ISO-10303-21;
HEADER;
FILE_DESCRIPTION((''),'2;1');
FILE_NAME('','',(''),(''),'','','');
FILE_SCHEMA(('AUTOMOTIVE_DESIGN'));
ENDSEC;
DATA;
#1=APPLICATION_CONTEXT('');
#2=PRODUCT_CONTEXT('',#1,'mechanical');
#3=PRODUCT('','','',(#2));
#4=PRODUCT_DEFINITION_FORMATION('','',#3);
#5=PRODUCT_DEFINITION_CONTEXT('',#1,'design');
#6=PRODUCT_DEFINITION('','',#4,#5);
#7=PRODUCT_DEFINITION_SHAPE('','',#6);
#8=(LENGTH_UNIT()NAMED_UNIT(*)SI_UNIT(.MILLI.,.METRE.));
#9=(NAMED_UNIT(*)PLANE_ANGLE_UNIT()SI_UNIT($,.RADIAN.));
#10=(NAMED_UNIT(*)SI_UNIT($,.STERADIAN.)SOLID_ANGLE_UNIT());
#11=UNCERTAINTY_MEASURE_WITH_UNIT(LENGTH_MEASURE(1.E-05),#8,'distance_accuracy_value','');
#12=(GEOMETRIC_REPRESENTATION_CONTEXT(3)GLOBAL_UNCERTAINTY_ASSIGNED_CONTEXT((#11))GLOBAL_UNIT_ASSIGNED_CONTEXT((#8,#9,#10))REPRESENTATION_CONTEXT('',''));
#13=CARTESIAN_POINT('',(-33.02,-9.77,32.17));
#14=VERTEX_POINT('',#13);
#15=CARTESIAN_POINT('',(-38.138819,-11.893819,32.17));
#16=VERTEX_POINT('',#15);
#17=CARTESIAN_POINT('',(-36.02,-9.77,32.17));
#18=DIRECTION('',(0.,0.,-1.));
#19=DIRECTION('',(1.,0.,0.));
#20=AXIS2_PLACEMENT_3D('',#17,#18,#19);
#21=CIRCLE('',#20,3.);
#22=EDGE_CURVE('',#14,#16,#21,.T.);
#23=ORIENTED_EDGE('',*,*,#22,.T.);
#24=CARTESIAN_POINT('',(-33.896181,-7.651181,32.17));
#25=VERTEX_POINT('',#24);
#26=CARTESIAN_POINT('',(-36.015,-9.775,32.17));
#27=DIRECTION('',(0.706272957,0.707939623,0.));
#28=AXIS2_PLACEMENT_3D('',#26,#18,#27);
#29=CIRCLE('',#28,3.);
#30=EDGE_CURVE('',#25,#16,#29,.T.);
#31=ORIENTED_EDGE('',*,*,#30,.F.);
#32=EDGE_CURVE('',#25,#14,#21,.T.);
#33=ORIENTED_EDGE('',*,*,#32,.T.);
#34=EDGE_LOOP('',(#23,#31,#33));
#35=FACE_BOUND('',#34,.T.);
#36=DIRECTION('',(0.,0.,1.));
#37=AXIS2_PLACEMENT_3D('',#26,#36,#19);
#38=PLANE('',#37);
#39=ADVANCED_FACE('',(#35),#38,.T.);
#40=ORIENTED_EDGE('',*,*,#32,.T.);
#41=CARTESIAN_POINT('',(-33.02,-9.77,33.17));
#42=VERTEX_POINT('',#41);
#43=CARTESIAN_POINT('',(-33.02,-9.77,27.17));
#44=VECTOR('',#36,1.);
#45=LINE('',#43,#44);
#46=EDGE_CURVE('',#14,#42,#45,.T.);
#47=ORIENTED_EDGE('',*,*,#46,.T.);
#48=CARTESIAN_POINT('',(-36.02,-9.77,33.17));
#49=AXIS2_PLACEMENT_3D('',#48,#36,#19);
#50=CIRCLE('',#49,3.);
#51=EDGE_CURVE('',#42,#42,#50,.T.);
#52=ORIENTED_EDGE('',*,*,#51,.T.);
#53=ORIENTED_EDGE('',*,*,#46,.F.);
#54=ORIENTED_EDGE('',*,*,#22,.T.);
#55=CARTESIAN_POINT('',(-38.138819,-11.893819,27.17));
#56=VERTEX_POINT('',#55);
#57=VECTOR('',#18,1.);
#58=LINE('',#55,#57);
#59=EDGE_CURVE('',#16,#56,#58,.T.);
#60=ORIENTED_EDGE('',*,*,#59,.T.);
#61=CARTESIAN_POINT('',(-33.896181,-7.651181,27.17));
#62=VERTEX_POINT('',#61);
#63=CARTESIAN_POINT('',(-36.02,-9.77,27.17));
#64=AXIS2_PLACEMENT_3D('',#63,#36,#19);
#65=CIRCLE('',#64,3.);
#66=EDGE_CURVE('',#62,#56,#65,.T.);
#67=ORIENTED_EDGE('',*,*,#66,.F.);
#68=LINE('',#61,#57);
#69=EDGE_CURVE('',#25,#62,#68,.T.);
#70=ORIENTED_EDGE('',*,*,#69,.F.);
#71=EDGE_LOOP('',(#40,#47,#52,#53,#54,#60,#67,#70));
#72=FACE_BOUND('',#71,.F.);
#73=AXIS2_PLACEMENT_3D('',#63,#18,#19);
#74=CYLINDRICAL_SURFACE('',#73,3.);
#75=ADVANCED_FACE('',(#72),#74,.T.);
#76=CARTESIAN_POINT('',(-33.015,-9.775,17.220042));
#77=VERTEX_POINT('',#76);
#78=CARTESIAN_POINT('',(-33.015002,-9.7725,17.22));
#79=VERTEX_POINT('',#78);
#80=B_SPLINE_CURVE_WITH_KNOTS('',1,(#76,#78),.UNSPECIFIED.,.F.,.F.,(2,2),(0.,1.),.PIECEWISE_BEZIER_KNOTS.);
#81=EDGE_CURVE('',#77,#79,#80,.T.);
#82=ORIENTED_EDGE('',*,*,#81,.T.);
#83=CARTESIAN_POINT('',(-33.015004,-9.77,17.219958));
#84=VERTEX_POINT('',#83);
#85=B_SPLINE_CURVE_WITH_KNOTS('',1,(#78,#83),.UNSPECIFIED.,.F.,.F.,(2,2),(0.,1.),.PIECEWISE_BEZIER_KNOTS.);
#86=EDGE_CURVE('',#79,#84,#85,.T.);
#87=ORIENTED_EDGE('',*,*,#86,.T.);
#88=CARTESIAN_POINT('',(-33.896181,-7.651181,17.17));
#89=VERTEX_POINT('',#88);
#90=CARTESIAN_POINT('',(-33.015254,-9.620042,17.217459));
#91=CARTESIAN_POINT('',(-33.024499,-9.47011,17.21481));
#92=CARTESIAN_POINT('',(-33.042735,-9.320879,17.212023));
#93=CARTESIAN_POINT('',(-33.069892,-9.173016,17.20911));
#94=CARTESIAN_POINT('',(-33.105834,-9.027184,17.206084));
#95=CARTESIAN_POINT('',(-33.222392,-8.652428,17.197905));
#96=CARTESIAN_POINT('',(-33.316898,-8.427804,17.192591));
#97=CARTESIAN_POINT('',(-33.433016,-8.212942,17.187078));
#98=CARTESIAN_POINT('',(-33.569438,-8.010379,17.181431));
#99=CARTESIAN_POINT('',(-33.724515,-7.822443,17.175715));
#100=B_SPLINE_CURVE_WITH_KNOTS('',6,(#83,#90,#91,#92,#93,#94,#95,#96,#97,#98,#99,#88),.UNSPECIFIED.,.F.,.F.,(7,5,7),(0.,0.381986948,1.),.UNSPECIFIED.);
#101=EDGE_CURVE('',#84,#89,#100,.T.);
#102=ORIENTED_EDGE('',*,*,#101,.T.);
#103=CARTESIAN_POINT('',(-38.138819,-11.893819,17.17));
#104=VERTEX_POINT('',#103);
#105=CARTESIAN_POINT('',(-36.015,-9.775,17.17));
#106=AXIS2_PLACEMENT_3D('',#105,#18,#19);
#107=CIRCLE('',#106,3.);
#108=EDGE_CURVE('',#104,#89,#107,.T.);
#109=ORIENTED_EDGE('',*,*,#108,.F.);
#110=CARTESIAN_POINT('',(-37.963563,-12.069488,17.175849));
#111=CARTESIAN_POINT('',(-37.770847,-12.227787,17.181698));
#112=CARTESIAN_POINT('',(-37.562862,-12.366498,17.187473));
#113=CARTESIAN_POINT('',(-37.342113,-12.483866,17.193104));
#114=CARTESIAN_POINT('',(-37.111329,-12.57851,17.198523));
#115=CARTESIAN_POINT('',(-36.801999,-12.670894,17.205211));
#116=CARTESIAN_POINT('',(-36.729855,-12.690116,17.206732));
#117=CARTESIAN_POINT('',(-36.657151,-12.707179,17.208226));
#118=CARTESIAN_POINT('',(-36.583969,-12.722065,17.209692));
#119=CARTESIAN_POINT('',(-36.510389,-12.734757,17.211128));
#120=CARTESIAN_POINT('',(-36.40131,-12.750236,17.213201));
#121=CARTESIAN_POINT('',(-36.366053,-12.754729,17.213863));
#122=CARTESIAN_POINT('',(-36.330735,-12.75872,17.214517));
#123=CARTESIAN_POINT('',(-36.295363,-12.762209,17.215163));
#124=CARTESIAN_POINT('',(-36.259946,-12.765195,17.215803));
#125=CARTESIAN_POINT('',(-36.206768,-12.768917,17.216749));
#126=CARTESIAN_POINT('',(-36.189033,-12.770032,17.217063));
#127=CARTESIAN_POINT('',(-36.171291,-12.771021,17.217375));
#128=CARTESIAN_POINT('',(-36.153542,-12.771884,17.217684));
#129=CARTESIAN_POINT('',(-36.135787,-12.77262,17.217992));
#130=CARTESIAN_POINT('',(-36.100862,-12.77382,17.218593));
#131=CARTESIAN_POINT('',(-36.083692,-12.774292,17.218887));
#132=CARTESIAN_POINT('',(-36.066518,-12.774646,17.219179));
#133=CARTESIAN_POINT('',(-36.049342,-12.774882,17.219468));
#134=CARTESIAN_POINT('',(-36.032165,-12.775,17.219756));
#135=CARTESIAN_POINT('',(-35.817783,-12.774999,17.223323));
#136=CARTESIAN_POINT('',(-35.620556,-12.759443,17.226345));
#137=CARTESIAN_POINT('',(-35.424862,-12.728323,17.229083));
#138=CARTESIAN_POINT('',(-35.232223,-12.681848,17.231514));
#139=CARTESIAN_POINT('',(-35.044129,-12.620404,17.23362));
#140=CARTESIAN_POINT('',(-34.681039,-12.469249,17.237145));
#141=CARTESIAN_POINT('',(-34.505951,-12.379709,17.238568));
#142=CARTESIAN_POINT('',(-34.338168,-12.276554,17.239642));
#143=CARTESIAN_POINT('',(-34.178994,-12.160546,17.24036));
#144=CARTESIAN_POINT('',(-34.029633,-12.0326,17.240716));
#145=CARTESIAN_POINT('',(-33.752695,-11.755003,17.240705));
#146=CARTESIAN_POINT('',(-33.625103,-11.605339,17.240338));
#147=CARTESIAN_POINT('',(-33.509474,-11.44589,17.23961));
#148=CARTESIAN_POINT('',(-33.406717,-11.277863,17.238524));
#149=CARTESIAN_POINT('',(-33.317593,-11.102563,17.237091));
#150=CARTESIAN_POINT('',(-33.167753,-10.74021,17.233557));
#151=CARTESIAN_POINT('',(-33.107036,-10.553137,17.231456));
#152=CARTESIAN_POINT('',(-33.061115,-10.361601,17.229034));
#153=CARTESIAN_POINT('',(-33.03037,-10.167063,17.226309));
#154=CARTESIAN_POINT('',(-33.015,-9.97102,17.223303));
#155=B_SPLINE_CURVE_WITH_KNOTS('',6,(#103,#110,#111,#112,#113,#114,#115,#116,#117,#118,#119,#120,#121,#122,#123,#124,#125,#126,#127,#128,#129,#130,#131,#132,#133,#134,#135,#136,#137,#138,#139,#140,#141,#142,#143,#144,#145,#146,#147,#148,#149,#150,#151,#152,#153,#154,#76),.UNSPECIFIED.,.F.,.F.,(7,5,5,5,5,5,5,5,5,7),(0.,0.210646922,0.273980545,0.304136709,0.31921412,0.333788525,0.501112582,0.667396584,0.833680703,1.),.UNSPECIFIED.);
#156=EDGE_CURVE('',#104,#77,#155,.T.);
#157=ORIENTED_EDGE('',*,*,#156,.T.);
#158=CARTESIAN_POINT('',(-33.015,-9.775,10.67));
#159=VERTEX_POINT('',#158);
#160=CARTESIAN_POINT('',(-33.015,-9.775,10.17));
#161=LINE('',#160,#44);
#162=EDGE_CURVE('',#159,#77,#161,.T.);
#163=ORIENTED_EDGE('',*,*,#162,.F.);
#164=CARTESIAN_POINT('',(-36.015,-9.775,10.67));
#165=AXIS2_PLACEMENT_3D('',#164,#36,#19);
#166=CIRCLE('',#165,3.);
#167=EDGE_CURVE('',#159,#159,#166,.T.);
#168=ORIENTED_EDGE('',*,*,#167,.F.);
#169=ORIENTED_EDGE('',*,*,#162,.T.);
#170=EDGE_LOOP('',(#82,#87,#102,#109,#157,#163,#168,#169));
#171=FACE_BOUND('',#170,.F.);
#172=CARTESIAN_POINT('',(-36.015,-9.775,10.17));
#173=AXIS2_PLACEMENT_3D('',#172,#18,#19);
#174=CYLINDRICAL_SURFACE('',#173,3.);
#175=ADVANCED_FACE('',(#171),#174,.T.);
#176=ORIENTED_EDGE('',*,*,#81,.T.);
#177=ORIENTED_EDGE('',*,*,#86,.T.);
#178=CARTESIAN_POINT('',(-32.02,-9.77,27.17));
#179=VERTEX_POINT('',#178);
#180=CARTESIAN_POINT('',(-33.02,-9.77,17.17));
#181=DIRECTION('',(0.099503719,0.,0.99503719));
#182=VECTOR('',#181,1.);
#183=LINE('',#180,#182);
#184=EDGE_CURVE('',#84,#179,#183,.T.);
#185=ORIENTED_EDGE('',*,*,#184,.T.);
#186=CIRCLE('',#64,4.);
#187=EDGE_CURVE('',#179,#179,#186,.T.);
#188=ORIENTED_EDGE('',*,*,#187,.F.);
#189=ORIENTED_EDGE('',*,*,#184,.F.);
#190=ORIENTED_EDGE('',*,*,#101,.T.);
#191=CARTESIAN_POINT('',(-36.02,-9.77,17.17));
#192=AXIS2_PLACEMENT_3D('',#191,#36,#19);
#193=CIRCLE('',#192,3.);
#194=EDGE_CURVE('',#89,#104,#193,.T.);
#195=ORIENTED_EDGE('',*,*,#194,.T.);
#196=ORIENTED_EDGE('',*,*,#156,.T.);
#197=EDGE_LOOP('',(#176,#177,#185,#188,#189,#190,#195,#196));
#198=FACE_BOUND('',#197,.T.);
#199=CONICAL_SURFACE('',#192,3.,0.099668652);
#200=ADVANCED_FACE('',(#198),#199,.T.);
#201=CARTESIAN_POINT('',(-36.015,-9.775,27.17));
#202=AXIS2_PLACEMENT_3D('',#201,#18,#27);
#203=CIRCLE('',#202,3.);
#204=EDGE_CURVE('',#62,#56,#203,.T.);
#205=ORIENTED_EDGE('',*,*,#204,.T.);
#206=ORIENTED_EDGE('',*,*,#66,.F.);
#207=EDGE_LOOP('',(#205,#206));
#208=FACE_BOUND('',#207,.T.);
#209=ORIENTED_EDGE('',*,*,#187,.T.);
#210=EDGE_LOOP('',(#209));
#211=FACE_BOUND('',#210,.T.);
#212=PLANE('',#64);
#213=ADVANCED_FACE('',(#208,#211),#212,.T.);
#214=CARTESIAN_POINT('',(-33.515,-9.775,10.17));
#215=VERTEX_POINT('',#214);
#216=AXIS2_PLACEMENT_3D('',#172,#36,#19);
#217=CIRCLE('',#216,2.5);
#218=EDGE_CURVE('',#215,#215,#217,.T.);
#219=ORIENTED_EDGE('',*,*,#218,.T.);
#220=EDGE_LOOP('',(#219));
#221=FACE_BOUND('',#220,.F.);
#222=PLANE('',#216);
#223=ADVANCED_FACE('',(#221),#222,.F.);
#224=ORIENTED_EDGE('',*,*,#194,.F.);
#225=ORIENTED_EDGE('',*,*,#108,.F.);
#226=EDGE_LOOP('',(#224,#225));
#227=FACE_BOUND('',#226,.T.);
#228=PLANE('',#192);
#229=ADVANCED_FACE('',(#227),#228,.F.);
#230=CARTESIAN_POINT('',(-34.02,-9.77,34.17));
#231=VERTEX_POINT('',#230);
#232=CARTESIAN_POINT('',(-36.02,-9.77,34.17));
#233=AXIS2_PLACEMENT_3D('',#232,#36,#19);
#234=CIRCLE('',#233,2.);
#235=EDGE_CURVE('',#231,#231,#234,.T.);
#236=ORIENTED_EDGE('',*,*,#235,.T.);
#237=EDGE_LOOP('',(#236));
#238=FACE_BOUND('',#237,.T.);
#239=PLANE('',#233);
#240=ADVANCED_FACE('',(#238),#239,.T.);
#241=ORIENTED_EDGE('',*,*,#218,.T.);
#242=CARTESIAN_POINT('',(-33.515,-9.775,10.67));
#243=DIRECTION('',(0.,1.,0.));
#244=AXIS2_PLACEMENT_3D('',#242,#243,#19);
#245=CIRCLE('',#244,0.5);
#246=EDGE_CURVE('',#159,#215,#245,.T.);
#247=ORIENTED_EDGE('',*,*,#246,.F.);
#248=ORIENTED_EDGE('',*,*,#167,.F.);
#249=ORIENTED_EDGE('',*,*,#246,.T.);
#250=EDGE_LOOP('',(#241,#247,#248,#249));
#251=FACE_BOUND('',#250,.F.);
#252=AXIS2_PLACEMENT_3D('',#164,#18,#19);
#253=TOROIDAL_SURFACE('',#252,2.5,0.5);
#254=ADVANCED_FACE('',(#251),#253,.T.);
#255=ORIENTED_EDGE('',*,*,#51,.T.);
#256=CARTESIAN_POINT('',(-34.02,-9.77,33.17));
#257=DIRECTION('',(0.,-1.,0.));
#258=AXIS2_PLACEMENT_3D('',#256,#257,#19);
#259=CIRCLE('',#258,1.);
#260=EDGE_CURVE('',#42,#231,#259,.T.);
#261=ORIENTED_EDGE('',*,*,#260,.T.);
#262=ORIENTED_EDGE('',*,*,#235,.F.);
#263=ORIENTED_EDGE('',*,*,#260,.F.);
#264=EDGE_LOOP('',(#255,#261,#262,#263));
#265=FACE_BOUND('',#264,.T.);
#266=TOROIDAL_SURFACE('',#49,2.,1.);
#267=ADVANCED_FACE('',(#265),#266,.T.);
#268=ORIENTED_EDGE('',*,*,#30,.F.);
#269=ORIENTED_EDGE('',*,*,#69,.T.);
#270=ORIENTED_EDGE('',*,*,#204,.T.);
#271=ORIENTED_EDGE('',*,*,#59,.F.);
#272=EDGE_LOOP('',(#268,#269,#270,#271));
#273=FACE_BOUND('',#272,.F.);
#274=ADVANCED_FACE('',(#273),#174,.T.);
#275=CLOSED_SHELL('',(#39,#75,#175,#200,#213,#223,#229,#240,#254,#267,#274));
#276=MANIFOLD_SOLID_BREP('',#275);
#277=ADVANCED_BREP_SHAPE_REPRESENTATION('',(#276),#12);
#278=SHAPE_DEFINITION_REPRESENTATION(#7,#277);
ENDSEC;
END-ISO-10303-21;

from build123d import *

# Parameters (mm, degrees)
CYLINDER002_R     = 3
CYLINDER002_DEPTH = 22
FILLET004_R       = 0.5
CYLINDER003_R     = 3
CYLINDER003_DEPTH = 7
FILLET003_R       = 1


with BuildPart() as fillet004:
    # Cylinder002 → Cylinder002 (new body)
    with BuildSketch(Plane(origin=(-43.635, 0.385, 10.17), x_dir=(1, 0, 0), z_dir=(0, 0, 1))):
        Circle(CYLINDER002_R)
    extrude(amount=CYLINDER002_DEPTH)

    # Fillet004
    fillet004_edges = [fillet004.edges().sort_by_distance(p)[0] for p in [
        (-46.635, 0.385, 10.17),
    ]]
    fillet(fillet004_edges, radius=FILLET004_R)


with BuildPart() as cone001:
    # Cone001 → Cone001 (revolve)
    with BuildSketch(Plane(origin=(-43.64, 0.39, 17.17), x_dir=(1, 0, 0), z_dir=(0, -1, 0))):
        Polygon((0, 0), (3, 0), (4, 10), (0, 10), align=None)
    revolve(axis=Axis((-43.64, 0.39, 17.17), (0, 0, 1)))


with BuildPart() as fusion002:
    # Cylinder003 → Cylinder003 (new body)
    with BuildSketch(Plane(origin=(-43.64, 0.39, 27.17), x_dir=(1, 0, 0), z_dir=(0, 0, 1))):
        Circle(CYLINDER003_R)
    extrude(amount=CYLINDER003_DEPTH)

    # Fillet003
    fillet003_edges = [fusion002.edges().sort_by_distance(p)[0] for p in [
        (-46.64, 0.39, 34.17),
    ]]
    fillet(fillet003_edges, radius=FILLET003_R)

    # Fusion002: union Fillet004, Cone001
    add(fillet004.part)
    add(cone001.part)


with BuildPart() as fusion002_1:
    # Fusion002 placement: moved
    add(fusion002.part.moved(Location((7.62, -10.16, 0))))


solid = fusion002_1.part
